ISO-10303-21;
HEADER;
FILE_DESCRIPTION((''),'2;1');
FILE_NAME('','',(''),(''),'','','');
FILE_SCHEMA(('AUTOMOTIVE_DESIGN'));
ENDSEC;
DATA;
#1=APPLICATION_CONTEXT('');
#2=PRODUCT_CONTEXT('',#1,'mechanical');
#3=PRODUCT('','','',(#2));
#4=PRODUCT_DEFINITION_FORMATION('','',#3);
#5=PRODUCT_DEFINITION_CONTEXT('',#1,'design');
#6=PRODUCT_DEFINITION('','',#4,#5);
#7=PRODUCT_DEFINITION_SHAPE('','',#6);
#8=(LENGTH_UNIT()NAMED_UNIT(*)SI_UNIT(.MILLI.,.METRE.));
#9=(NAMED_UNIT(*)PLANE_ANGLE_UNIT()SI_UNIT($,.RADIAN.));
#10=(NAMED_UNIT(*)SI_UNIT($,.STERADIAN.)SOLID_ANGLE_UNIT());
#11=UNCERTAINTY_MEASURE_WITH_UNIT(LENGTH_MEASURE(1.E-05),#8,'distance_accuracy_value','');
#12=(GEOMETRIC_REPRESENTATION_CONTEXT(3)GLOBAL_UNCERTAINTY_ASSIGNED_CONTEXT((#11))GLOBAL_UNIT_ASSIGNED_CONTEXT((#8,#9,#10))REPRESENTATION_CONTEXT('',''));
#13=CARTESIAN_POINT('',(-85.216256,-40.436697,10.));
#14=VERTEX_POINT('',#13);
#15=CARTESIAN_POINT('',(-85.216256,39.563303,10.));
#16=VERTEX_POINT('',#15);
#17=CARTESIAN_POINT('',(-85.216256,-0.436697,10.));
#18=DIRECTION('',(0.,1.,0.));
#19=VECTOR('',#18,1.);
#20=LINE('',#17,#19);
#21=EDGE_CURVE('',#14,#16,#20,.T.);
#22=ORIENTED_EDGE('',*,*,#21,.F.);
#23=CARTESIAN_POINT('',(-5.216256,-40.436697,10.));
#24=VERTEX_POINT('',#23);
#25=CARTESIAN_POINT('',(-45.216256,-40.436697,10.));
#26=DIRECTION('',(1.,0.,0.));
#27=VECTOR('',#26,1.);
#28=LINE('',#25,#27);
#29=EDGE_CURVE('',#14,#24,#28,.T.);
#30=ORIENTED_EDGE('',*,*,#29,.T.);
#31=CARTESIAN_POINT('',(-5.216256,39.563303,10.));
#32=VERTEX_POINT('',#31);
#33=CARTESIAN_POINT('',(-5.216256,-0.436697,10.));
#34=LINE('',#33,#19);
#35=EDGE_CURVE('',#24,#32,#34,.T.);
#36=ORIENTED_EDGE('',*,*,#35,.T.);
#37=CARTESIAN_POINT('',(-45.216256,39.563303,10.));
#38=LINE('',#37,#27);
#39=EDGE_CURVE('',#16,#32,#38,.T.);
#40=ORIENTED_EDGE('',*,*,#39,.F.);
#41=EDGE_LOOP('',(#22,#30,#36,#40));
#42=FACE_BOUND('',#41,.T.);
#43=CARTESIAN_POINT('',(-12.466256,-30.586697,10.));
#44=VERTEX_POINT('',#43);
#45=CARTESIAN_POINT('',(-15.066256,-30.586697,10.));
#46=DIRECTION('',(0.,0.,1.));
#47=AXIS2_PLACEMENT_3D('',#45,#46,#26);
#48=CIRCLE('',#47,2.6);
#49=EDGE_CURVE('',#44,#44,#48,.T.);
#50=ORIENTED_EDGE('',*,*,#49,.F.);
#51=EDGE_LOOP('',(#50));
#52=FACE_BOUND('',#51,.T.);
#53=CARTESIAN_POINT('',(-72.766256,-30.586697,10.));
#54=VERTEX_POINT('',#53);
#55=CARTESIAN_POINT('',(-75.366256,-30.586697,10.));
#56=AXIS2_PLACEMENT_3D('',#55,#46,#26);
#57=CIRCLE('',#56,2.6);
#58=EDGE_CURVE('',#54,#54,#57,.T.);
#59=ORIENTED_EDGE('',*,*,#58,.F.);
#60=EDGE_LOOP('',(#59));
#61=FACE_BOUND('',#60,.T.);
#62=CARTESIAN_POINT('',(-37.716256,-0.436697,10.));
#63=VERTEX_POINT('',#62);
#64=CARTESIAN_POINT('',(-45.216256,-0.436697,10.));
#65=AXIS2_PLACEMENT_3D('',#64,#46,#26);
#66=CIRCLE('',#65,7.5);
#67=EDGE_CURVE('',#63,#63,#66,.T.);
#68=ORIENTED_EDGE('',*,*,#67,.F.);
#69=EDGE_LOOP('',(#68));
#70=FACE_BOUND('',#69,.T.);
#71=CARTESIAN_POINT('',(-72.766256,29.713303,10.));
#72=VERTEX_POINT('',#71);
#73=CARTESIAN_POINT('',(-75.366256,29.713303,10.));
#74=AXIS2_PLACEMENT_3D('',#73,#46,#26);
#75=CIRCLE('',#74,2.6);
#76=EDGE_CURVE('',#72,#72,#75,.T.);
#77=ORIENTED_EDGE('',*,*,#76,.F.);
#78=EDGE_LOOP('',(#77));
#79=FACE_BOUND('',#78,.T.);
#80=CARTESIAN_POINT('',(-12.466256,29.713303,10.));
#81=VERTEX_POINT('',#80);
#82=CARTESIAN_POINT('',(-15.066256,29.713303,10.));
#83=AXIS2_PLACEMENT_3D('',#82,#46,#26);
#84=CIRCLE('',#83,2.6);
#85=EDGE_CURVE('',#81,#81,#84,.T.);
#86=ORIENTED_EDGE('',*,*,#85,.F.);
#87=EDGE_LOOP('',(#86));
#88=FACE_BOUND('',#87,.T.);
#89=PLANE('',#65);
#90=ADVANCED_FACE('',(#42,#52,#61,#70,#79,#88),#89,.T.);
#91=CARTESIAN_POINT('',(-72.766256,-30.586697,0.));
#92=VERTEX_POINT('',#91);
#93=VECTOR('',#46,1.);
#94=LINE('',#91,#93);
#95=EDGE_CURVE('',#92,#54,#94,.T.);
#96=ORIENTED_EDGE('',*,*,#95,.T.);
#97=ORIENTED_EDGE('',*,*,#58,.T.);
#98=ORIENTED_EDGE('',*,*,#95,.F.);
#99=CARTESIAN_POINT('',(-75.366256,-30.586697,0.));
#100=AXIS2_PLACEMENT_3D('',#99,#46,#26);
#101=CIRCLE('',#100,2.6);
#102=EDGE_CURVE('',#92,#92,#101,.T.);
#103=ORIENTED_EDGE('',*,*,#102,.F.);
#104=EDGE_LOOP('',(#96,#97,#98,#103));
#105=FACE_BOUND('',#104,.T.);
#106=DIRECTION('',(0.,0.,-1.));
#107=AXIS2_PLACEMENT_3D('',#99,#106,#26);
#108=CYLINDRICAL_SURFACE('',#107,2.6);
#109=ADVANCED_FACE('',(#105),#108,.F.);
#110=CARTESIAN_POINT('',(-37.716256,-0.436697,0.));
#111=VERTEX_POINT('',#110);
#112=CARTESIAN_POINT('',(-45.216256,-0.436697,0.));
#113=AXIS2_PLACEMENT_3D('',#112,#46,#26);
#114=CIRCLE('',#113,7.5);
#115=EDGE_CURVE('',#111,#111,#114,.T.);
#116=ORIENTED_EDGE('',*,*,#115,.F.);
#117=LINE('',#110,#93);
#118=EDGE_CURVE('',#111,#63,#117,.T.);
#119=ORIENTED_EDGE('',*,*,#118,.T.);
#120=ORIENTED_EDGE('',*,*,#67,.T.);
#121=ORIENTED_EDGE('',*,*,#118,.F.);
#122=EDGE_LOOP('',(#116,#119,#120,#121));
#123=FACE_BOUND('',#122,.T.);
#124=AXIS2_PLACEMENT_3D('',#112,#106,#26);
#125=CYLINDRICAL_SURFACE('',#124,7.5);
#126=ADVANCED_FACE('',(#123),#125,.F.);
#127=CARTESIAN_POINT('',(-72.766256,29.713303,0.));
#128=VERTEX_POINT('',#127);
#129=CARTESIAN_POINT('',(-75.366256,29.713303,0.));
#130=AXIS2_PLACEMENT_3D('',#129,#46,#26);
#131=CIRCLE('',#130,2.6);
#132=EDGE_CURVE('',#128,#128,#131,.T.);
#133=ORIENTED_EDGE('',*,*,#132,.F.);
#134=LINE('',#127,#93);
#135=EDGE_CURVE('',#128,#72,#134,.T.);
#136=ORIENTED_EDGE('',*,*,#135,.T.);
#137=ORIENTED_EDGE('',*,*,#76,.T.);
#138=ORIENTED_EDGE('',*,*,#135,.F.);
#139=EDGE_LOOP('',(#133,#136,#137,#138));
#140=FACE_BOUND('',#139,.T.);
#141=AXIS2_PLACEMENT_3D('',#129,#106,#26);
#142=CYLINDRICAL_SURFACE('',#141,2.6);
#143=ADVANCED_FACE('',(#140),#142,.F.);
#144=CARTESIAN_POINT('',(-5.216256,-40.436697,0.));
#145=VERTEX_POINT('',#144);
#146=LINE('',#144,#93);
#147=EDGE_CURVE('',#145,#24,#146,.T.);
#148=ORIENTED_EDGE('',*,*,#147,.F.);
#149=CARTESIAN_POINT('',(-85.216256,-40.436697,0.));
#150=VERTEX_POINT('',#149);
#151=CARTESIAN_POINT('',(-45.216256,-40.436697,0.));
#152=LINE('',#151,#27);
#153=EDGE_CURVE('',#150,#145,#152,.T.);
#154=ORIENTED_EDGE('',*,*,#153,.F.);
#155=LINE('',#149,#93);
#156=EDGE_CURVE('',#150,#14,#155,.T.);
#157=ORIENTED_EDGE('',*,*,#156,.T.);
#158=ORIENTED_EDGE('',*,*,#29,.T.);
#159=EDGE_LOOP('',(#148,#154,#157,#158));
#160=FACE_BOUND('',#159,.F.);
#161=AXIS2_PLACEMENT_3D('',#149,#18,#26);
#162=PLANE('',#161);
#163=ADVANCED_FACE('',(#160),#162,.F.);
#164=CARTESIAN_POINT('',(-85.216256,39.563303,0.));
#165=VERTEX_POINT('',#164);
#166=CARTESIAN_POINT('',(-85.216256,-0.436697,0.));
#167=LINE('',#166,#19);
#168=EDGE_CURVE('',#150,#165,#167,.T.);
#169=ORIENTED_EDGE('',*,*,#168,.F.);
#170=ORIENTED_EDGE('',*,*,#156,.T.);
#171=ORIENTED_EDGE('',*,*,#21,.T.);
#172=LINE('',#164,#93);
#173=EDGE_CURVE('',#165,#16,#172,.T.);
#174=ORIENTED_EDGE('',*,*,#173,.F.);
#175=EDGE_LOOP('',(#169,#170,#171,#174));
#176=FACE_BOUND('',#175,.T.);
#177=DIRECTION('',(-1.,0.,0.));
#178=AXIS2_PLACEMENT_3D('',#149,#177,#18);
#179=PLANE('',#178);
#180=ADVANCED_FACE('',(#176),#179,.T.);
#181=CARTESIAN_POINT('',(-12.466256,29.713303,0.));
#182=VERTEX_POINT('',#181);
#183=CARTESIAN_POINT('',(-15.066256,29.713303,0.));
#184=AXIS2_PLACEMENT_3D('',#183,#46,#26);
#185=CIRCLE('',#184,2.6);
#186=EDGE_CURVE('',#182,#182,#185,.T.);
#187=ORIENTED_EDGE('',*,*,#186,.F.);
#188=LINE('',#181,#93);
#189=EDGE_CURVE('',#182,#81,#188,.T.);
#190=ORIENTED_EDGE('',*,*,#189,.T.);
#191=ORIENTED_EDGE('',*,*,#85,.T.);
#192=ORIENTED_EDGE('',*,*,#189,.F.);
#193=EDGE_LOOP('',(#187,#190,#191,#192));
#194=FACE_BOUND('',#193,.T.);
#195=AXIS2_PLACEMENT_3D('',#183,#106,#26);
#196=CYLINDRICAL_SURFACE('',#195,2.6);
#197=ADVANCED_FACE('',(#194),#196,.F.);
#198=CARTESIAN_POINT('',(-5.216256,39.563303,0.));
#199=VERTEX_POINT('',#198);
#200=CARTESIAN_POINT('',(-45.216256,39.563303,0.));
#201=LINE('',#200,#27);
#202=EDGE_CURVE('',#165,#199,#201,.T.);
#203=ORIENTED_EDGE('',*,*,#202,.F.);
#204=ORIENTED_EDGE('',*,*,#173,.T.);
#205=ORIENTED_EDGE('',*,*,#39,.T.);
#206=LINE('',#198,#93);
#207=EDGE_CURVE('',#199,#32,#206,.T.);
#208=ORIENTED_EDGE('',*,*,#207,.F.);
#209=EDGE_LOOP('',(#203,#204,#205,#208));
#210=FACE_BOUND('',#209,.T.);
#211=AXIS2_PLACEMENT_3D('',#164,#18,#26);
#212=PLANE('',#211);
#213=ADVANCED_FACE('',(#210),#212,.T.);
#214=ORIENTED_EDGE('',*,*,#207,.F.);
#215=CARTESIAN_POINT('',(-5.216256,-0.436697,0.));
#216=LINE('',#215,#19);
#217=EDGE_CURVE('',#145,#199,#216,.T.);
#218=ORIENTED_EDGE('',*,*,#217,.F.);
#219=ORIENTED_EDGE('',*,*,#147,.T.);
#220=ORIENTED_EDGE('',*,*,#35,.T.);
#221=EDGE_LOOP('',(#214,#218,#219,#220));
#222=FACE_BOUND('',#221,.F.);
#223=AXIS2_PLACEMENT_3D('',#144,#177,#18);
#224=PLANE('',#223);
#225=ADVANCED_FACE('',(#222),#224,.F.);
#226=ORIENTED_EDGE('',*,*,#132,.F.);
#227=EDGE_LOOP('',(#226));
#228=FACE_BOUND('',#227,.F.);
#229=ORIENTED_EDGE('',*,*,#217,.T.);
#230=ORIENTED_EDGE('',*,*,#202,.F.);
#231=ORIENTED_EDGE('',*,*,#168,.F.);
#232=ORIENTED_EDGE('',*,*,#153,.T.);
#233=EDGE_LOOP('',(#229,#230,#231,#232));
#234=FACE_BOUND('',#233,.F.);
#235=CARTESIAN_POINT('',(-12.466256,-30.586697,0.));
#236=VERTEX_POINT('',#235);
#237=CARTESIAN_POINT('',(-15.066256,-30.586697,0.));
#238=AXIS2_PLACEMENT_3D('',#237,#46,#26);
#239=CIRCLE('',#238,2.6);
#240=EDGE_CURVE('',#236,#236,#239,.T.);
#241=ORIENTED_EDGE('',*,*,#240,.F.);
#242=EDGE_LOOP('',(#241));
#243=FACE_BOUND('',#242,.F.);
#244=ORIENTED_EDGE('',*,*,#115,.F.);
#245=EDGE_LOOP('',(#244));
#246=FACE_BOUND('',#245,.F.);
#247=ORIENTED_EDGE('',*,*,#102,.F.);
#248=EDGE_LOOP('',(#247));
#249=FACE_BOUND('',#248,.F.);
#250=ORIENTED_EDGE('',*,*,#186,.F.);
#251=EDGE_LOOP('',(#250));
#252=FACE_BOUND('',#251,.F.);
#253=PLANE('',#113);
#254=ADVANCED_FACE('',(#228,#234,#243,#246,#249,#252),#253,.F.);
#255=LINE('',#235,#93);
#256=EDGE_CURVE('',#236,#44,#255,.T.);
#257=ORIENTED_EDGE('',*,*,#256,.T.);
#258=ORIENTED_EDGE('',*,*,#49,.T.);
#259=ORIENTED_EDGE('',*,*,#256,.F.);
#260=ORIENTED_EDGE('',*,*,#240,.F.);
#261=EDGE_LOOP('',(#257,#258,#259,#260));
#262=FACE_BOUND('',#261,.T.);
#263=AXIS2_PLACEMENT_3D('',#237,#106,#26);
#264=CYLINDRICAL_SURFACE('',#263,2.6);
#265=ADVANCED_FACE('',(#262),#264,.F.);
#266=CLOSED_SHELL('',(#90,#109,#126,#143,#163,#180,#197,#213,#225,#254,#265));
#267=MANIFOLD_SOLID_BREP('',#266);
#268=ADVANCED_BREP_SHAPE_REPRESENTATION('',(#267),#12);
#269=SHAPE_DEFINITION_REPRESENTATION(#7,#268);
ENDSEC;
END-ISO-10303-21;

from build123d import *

# Parameters (mm, degrees)
SKETCH_W   = 80
SKETCH_H   = 80
SKETCH_R   = 2.6
SKETCH_R_2 = 7.5
PAD_DEPTH  = 10


with BuildPart() as part:
    # Sketch → Pad (new body)
    with BuildSketch(Plane.XY):
        with Locations((-45.216256, -0.436697)):
            Rectangle(SKETCH_W, SKETCH_H)
        with Locations((-75.366256, 29.713303)):
            Circle(SKETCH_R, mode=Mode.SUBTRACT)
        with Locations((-15.066256, 29.713303)):
            Circle(SKETCH_R, mode=Mode.SUBTRACT)
        with Locations((-15.066256, -30.586697)):
            Circle(SKETCH_R, mode=Mode.SUBTRACT)
        with Locations((-75.366256, -30.586697)):
            Circle(SKETCH_R, mode=Mode.SUBTRACT)
        with Locations((-45.216256, -0.436697)):
            Circle(SKETCH_R_2, mode=Mode.SUBTRACT)
    extrude(amount=PAD_DEPTH)


solid = part.part
